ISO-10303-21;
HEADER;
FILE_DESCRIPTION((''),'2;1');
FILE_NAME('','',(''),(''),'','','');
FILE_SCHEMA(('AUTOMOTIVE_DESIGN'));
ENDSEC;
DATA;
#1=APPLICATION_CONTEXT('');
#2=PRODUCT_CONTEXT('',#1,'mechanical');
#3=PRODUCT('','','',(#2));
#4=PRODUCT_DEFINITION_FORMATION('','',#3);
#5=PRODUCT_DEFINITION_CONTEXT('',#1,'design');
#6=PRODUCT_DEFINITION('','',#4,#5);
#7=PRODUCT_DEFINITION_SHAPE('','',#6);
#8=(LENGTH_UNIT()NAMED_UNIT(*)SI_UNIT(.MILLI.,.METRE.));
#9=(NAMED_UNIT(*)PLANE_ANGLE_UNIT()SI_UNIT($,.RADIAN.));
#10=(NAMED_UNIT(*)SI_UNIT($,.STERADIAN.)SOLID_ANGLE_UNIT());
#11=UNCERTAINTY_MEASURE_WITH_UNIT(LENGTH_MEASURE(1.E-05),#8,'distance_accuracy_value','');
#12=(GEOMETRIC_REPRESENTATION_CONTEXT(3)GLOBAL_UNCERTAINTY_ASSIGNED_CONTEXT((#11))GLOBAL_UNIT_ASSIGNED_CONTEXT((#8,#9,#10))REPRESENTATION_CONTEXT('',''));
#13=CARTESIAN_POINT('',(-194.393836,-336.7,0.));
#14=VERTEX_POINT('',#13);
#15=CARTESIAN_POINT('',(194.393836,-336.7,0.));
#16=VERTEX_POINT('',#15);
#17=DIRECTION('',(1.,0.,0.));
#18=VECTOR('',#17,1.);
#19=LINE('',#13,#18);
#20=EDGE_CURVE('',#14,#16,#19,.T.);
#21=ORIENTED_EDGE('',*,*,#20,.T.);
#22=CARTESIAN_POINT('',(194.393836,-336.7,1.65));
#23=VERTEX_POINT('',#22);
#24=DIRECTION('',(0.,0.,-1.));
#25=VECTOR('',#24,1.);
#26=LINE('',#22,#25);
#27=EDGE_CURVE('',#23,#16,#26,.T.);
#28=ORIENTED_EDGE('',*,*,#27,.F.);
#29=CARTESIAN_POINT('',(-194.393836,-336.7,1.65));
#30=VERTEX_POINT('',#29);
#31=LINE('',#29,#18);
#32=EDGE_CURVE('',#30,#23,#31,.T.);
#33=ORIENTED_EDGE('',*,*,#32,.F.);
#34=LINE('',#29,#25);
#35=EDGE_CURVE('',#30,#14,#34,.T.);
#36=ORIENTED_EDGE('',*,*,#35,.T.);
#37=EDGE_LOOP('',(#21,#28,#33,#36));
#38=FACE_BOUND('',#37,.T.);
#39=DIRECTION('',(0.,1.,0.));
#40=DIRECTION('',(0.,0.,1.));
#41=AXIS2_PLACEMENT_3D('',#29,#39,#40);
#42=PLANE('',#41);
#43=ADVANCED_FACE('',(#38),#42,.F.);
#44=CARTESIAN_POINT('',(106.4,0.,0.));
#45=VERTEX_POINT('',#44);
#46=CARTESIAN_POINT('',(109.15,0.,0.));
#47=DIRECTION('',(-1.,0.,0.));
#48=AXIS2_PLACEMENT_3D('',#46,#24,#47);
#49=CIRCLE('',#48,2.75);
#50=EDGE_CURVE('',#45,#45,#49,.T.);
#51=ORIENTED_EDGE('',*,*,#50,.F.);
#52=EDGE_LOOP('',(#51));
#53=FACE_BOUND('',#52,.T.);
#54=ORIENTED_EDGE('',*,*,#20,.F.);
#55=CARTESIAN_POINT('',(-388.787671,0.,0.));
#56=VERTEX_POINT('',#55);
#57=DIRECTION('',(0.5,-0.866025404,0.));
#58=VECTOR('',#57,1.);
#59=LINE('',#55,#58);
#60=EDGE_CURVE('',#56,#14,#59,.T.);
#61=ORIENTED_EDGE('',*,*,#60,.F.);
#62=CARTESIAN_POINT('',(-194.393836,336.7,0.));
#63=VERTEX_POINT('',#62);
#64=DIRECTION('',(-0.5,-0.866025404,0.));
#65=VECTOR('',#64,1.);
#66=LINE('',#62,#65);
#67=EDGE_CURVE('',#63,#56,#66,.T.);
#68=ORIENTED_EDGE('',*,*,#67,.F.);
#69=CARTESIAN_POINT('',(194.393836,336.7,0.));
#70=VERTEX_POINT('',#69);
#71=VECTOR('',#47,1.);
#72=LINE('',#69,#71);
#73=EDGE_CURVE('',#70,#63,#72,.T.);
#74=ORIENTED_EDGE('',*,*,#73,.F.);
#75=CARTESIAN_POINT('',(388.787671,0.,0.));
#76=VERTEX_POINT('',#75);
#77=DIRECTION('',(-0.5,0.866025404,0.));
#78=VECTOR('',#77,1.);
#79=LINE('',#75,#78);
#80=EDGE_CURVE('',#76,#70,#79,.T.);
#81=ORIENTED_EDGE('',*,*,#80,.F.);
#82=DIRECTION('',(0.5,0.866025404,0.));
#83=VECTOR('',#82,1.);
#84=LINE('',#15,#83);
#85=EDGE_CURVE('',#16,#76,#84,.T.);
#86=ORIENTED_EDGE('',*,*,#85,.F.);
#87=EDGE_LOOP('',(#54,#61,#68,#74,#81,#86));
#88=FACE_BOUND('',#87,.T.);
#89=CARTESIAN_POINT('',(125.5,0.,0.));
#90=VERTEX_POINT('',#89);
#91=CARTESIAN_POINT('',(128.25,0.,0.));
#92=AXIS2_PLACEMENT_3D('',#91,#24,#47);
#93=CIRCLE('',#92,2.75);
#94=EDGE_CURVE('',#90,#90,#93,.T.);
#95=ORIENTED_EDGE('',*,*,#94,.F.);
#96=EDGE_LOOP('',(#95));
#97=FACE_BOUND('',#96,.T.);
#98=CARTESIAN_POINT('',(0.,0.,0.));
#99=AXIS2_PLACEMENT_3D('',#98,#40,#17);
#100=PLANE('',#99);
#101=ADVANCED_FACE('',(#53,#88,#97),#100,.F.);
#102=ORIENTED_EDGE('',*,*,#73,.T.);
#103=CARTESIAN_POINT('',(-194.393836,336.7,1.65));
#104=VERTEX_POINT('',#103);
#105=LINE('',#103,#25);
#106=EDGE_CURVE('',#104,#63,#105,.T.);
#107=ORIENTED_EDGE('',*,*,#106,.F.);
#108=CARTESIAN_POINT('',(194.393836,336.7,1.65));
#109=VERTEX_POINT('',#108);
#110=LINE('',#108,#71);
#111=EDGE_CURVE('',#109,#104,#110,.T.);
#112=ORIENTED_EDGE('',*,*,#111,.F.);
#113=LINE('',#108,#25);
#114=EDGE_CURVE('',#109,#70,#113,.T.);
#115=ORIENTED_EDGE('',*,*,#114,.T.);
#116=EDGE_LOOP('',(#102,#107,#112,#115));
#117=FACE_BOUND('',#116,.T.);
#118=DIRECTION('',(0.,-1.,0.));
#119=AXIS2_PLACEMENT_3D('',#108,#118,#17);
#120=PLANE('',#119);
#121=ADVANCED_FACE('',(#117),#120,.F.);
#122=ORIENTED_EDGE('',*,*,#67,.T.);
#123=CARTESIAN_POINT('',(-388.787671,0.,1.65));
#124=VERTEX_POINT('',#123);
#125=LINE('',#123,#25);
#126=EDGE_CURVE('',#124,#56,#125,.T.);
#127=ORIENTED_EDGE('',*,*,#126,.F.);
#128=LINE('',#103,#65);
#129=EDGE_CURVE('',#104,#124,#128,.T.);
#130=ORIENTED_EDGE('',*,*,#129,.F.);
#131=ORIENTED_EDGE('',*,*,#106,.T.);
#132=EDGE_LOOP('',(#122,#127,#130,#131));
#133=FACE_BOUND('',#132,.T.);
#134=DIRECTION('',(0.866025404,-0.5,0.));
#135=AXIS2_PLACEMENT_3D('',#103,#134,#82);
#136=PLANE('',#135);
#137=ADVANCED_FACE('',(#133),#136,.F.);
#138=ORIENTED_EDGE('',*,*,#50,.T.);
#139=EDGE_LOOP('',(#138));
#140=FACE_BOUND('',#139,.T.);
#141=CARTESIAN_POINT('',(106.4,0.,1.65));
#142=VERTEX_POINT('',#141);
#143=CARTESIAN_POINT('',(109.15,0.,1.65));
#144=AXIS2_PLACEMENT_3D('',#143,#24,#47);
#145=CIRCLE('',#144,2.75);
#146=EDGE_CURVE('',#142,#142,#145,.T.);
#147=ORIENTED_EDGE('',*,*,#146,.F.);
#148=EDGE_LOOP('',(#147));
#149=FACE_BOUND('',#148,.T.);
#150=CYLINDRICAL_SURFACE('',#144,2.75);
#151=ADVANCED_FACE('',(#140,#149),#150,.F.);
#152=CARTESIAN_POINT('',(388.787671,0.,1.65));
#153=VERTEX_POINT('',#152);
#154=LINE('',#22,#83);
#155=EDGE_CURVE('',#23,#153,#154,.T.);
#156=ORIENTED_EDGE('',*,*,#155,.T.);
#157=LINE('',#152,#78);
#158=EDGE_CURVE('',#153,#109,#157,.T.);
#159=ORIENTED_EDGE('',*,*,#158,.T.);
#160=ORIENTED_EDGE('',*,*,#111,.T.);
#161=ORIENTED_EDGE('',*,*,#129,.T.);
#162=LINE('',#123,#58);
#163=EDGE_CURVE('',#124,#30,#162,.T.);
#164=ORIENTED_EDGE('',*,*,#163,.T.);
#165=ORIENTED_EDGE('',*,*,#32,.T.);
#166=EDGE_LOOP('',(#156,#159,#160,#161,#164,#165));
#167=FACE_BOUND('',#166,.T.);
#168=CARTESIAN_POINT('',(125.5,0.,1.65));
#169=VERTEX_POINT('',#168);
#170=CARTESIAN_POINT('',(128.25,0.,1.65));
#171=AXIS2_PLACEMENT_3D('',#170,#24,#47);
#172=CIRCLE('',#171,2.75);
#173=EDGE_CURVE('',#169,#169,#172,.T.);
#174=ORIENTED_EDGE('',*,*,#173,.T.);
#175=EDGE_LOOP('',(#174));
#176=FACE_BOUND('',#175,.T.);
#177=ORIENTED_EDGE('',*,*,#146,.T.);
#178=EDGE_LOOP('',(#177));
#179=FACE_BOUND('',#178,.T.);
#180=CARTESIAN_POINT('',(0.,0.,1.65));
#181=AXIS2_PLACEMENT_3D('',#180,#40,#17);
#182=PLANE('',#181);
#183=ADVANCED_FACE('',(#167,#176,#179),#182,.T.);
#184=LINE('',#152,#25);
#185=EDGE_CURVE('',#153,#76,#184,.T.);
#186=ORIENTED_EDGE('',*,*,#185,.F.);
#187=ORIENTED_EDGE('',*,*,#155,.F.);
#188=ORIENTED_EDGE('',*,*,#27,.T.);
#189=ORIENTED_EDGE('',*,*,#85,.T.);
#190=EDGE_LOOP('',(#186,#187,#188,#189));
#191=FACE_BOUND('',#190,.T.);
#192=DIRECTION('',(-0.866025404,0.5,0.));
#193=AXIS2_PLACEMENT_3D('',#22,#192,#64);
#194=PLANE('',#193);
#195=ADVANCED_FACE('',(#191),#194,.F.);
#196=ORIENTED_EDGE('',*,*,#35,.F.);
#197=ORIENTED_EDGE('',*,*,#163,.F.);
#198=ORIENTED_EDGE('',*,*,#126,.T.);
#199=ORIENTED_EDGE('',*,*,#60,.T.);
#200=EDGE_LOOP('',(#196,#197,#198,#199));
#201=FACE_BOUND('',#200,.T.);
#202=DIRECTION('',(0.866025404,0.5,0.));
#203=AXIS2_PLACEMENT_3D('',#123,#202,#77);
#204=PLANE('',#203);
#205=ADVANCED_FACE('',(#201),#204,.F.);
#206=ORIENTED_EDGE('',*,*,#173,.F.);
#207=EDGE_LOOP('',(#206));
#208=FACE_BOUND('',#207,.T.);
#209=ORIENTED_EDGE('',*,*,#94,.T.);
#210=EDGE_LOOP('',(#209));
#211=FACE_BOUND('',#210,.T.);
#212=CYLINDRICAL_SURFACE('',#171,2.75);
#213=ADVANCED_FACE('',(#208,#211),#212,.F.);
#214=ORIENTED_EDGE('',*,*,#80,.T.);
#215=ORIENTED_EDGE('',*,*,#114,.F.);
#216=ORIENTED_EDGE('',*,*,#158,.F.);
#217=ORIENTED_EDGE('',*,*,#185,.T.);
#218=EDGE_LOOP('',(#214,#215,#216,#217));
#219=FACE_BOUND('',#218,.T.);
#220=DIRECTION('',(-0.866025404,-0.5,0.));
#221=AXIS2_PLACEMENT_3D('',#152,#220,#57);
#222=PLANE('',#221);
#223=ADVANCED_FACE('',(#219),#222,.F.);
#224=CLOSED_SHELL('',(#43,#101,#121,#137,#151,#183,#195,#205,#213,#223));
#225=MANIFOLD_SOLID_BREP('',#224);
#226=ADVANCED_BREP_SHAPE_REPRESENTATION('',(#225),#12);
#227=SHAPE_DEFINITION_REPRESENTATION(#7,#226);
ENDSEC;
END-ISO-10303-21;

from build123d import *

# Parameters (mm, degrees)
SALIENTE_EXTRUIR1_DEPTH = 1.65
CROQUIS2_R              = 2.75
CORTAR_EXTRUIR1_DEPTH   = 2.65


with BuildPart() as part:
    # Croquis1 → Saliente-Extruir1 (new body)
    with BuildSketch(Plane.XY):
        Polygon((194.393835636, 336.7), (-194.393835636, 336.7), (-388.787671272, 0), (-194.393835636, -336.7), (194.393835636, -336.7), (388.787671272, 0), align=None)
    extrude(amount=SALIENTE_EXTRUIR1_DEPTH)

    # Croquis2 → Cortar-Extruir1 (cut, through all)
    with BuildSketch(Plane(origin=(0, 0, 0), x_dir=(-1, 0, 0), z_dir=(0, 0, -1))):
        with Locations((-128.25, 0)):
            Circle(CROQUIS2_R)
        with Locations((-109.15, 0)):
            Circle(CROQUIS2_R)
    extrude(amount=-CORTAR_EXTRUIR1_DEPTH, mode=Mode.SUBTRACT)


solid = part.part
